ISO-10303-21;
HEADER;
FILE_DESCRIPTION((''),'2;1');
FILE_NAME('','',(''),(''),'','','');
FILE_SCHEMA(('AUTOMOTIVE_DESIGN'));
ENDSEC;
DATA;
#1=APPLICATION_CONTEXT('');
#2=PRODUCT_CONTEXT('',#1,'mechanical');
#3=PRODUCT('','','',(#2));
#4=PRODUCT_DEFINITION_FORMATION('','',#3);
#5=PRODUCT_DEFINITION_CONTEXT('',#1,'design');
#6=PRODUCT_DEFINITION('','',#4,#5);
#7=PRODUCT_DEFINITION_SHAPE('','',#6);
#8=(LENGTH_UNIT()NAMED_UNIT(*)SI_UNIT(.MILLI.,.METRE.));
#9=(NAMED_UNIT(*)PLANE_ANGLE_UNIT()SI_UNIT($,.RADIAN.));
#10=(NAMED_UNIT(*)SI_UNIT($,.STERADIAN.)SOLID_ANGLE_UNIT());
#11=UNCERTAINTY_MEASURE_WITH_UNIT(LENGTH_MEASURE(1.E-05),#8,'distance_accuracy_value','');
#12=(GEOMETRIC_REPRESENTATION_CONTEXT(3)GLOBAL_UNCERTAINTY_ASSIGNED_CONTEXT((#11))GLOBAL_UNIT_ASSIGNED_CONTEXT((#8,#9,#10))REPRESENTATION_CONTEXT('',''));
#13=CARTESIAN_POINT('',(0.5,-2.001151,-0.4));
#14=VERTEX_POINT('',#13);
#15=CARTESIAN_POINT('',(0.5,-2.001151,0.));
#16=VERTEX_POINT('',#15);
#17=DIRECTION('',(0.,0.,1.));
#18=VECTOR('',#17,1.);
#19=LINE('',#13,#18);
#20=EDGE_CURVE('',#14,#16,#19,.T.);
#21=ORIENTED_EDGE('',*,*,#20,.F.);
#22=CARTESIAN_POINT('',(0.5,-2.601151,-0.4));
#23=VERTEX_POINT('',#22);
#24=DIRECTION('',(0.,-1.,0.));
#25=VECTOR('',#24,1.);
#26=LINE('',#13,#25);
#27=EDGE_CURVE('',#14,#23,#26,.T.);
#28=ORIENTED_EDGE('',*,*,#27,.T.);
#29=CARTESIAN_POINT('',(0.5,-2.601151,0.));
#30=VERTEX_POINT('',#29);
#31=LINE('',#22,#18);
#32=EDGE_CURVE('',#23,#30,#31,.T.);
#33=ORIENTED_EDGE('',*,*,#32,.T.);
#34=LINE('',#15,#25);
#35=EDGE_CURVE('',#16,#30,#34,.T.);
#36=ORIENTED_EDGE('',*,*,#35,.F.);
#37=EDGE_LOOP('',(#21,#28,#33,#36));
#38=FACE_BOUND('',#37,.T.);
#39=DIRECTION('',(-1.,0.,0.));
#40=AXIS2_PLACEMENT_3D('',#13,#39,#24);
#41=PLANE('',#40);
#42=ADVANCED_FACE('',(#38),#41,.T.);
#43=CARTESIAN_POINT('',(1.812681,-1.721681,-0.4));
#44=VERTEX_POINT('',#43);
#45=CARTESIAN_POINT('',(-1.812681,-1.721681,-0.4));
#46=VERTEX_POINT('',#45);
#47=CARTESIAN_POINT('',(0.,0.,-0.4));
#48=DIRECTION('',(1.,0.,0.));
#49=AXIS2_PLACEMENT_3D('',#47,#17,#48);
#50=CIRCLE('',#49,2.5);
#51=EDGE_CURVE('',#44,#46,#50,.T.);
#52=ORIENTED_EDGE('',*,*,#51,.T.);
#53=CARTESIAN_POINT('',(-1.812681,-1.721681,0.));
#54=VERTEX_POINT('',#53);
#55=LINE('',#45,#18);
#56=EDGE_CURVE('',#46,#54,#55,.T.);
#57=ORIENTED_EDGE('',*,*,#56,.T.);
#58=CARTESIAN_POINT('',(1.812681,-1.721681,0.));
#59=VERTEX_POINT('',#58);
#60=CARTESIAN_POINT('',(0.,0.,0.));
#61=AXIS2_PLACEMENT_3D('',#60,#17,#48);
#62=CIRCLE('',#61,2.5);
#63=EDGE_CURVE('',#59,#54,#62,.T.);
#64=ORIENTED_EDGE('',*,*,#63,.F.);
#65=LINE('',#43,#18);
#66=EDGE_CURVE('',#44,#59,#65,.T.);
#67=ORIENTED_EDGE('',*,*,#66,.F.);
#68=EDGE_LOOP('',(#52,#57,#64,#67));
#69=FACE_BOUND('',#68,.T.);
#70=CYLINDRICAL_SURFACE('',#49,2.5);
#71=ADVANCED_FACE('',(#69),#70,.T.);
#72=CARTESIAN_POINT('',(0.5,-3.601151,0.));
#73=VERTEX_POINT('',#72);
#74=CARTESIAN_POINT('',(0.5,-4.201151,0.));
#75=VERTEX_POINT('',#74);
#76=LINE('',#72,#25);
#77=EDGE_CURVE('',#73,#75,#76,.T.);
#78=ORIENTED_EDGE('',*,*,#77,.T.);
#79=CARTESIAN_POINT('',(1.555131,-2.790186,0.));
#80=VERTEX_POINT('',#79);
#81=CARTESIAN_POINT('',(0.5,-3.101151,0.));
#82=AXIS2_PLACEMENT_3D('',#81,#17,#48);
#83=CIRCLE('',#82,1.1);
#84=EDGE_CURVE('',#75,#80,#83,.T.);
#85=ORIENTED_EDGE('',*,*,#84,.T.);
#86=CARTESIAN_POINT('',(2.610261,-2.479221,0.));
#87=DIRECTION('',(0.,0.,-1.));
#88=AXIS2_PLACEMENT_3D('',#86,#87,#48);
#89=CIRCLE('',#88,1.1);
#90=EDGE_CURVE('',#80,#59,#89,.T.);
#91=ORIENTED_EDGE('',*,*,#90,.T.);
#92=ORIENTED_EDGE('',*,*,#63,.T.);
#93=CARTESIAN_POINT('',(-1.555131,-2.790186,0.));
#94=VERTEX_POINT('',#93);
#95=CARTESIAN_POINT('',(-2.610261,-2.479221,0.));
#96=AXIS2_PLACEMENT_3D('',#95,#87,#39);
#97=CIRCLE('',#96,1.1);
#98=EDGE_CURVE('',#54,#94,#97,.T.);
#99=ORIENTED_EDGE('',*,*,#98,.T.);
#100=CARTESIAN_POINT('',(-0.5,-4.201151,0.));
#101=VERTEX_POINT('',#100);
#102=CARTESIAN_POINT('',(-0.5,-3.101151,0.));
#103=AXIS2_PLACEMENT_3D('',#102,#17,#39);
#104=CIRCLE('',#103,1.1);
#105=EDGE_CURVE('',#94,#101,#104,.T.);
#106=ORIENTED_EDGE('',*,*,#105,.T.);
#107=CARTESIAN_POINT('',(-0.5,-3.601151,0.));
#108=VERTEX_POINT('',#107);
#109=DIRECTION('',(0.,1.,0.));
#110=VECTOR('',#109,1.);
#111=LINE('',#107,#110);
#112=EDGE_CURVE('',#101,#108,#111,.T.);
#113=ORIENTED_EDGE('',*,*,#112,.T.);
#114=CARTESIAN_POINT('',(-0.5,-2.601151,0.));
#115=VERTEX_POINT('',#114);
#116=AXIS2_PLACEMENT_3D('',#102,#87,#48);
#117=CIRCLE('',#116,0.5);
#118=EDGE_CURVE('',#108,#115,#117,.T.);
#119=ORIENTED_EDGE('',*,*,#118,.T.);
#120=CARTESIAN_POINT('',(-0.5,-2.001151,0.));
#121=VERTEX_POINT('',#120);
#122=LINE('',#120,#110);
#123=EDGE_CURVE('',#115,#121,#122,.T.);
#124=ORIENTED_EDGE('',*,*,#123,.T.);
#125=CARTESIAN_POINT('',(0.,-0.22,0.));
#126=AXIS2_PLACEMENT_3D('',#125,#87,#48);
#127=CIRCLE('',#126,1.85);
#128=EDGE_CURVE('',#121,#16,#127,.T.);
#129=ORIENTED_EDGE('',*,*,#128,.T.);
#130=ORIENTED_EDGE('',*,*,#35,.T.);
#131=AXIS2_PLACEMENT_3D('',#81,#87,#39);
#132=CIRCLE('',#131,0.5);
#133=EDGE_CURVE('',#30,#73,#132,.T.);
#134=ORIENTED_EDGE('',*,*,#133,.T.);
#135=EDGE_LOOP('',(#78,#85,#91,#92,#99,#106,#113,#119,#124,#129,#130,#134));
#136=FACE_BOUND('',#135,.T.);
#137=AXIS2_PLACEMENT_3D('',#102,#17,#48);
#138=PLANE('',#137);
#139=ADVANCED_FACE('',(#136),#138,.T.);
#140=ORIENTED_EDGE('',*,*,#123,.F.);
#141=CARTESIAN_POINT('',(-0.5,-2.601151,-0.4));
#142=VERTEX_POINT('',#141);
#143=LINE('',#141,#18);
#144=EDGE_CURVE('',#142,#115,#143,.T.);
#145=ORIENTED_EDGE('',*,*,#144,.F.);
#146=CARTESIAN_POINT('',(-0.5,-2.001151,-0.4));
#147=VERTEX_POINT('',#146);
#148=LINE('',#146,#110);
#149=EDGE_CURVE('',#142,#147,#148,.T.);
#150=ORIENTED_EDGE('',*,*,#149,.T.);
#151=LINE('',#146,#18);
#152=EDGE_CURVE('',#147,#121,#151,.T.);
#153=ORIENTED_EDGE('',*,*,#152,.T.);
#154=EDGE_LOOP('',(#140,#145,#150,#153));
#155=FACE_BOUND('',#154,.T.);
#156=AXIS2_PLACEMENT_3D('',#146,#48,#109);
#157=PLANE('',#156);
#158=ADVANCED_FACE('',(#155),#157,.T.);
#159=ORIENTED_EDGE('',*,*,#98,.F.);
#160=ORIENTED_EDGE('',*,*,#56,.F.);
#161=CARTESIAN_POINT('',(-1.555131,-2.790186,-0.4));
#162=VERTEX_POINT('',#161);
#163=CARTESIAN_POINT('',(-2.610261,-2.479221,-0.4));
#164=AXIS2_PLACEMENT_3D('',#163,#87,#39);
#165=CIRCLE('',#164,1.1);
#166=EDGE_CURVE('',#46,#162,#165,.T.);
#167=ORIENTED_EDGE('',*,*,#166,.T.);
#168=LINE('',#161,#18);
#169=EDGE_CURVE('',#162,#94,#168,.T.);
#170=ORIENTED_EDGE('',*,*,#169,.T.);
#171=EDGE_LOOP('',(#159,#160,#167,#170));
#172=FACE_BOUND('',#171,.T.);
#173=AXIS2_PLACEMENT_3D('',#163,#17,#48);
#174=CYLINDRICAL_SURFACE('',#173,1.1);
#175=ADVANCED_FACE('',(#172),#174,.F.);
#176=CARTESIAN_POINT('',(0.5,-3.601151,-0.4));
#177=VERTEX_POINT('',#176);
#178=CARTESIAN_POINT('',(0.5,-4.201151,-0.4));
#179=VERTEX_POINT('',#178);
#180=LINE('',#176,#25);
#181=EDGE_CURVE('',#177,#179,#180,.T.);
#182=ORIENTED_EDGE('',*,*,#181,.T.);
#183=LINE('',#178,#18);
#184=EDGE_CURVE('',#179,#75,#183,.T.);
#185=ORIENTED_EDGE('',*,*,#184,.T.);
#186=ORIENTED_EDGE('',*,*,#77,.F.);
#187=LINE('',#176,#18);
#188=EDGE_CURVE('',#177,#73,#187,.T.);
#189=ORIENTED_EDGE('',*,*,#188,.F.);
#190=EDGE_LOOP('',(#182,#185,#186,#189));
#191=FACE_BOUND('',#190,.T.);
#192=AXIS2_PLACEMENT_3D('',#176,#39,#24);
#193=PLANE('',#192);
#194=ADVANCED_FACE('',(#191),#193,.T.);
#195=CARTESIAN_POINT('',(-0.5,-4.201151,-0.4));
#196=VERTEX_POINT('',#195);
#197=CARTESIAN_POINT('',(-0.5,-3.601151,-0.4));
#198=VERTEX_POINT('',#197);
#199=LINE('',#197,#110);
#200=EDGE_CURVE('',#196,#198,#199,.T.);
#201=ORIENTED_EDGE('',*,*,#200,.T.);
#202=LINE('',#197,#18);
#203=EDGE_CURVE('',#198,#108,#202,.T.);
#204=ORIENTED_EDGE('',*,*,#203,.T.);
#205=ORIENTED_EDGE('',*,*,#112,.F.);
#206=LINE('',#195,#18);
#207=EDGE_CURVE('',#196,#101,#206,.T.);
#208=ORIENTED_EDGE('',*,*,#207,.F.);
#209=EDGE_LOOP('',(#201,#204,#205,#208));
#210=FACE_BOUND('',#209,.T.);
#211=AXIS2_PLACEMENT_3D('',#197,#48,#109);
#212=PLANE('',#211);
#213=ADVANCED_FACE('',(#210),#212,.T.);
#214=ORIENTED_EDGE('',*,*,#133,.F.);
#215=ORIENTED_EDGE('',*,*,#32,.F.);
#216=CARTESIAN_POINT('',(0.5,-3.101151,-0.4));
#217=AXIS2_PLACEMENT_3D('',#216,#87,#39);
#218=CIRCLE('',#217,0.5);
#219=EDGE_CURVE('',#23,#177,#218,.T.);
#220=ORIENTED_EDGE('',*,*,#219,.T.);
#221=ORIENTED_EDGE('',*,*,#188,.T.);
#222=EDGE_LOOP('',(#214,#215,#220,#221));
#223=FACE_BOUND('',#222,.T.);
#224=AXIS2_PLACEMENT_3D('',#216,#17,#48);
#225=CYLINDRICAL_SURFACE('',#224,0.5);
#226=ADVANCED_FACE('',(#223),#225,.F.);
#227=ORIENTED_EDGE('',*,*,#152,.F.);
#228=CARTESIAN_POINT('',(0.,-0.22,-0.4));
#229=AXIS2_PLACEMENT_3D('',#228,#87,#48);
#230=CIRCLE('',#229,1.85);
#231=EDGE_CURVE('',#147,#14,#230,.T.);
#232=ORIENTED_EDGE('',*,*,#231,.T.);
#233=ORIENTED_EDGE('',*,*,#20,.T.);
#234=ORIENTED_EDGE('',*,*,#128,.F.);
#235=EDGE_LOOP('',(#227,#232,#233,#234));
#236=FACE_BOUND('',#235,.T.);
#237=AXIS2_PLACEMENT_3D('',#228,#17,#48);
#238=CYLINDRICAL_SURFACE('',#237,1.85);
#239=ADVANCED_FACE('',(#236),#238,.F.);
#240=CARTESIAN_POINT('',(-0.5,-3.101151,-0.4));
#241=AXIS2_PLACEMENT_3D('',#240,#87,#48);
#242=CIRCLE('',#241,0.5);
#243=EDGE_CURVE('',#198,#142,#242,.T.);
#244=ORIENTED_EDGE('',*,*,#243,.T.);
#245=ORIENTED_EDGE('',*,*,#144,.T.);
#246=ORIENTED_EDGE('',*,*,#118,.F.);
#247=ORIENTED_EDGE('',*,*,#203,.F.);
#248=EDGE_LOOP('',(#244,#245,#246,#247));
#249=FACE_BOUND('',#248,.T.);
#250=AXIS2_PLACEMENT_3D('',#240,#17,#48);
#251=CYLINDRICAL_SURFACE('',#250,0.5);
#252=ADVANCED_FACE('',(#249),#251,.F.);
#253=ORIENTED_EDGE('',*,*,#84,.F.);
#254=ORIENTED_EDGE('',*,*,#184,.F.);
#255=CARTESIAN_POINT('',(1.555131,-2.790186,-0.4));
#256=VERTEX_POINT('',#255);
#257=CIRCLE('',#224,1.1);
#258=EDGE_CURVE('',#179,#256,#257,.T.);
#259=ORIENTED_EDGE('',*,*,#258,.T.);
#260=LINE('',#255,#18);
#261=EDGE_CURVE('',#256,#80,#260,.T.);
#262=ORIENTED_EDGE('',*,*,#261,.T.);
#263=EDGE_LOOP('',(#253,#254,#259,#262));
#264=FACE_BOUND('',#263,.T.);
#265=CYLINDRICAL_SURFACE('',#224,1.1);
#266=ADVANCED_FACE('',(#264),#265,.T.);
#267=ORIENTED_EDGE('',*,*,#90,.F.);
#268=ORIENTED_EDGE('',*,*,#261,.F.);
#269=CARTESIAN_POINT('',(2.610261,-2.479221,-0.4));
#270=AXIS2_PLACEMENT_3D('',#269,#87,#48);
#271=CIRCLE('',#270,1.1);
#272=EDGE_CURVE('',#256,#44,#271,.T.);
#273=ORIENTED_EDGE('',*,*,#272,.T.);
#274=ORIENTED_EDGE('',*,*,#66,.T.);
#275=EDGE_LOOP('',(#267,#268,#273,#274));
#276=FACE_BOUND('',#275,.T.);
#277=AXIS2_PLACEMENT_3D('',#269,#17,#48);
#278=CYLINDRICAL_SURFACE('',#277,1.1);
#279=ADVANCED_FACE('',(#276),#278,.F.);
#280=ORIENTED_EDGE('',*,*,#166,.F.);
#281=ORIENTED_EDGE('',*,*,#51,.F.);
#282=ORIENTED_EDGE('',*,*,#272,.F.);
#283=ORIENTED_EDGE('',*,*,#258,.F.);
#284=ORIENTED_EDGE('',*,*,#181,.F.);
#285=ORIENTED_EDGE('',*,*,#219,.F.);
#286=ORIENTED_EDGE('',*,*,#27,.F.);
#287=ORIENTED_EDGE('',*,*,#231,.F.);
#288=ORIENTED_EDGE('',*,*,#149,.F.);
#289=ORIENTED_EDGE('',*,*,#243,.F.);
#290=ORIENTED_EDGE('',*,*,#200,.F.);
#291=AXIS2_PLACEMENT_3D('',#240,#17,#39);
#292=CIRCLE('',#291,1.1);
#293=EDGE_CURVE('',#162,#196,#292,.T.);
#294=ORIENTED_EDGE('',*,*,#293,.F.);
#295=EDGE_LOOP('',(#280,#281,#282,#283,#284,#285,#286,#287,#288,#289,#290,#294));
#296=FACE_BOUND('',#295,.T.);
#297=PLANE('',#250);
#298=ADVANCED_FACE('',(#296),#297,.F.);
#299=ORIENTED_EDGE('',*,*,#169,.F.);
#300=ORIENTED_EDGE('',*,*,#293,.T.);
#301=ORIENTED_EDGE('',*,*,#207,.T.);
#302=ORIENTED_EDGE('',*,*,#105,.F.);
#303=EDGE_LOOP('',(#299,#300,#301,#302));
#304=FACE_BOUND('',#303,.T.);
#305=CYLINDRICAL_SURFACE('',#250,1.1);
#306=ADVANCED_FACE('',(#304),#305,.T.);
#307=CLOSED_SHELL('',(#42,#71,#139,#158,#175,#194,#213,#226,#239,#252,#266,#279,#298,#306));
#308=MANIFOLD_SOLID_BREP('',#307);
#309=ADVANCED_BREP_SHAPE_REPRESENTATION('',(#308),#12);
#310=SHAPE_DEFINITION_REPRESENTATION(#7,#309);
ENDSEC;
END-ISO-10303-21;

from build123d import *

# Parameters (mm, degrees)
BODY_DEPTH = 0.4


with BuildPart() as part:
    # Sketch1 → Body (new body)
    with BuildSketch(Plane.XY):
        with BuildLine():
            Line((-0.5, -2.001151313), (-0.5, -2.601151313))
            ThreePointArc((-0.5, -2.601151313), (-1, -3.101151313), (-0.5, -3.601151313))
            Line((-0.5, -3.601151313), (-0.5, -4.201151313))
            ThreePointArc((-0.5, -4.201151313), (-1.380926142, -3.759914649), (-1.555130625, -2.7901861))
            ThreePointArc((-1.555130625, -2.7901861), (-1.540887742, -2.221460727), (-1.812681424, -1.721681171))
            ThreePointArc((-1.812681424, -1.721681171), (0, 2.5), (1.812681424, -1.721681171))
            ThreePointArc((1.812681424, -1.721681171), (1.540887742, -2.221460727), (1.555130625, -2.7901861))
            ThreePointArc((1.555130625, -2.7901861), (1.380926142, -3.759914649), (0.5, -4.201151313))
            Line((0.5, -4.201151313), (0.5, -3.601151313))
            ThreePointArc((0.5, -3.601151313), (1, -3.101151313), (0.5, -2.601151313))
            Line((0.5, -2.601151313), (0.5, -2.001151313))
            ThreePointArc((0.5, -2.001151313), (0, 1.63), (-0.5, -2.001151313))
        make_face()
    extrude(amount=-BODY_DEPTH)


solid = part.part
